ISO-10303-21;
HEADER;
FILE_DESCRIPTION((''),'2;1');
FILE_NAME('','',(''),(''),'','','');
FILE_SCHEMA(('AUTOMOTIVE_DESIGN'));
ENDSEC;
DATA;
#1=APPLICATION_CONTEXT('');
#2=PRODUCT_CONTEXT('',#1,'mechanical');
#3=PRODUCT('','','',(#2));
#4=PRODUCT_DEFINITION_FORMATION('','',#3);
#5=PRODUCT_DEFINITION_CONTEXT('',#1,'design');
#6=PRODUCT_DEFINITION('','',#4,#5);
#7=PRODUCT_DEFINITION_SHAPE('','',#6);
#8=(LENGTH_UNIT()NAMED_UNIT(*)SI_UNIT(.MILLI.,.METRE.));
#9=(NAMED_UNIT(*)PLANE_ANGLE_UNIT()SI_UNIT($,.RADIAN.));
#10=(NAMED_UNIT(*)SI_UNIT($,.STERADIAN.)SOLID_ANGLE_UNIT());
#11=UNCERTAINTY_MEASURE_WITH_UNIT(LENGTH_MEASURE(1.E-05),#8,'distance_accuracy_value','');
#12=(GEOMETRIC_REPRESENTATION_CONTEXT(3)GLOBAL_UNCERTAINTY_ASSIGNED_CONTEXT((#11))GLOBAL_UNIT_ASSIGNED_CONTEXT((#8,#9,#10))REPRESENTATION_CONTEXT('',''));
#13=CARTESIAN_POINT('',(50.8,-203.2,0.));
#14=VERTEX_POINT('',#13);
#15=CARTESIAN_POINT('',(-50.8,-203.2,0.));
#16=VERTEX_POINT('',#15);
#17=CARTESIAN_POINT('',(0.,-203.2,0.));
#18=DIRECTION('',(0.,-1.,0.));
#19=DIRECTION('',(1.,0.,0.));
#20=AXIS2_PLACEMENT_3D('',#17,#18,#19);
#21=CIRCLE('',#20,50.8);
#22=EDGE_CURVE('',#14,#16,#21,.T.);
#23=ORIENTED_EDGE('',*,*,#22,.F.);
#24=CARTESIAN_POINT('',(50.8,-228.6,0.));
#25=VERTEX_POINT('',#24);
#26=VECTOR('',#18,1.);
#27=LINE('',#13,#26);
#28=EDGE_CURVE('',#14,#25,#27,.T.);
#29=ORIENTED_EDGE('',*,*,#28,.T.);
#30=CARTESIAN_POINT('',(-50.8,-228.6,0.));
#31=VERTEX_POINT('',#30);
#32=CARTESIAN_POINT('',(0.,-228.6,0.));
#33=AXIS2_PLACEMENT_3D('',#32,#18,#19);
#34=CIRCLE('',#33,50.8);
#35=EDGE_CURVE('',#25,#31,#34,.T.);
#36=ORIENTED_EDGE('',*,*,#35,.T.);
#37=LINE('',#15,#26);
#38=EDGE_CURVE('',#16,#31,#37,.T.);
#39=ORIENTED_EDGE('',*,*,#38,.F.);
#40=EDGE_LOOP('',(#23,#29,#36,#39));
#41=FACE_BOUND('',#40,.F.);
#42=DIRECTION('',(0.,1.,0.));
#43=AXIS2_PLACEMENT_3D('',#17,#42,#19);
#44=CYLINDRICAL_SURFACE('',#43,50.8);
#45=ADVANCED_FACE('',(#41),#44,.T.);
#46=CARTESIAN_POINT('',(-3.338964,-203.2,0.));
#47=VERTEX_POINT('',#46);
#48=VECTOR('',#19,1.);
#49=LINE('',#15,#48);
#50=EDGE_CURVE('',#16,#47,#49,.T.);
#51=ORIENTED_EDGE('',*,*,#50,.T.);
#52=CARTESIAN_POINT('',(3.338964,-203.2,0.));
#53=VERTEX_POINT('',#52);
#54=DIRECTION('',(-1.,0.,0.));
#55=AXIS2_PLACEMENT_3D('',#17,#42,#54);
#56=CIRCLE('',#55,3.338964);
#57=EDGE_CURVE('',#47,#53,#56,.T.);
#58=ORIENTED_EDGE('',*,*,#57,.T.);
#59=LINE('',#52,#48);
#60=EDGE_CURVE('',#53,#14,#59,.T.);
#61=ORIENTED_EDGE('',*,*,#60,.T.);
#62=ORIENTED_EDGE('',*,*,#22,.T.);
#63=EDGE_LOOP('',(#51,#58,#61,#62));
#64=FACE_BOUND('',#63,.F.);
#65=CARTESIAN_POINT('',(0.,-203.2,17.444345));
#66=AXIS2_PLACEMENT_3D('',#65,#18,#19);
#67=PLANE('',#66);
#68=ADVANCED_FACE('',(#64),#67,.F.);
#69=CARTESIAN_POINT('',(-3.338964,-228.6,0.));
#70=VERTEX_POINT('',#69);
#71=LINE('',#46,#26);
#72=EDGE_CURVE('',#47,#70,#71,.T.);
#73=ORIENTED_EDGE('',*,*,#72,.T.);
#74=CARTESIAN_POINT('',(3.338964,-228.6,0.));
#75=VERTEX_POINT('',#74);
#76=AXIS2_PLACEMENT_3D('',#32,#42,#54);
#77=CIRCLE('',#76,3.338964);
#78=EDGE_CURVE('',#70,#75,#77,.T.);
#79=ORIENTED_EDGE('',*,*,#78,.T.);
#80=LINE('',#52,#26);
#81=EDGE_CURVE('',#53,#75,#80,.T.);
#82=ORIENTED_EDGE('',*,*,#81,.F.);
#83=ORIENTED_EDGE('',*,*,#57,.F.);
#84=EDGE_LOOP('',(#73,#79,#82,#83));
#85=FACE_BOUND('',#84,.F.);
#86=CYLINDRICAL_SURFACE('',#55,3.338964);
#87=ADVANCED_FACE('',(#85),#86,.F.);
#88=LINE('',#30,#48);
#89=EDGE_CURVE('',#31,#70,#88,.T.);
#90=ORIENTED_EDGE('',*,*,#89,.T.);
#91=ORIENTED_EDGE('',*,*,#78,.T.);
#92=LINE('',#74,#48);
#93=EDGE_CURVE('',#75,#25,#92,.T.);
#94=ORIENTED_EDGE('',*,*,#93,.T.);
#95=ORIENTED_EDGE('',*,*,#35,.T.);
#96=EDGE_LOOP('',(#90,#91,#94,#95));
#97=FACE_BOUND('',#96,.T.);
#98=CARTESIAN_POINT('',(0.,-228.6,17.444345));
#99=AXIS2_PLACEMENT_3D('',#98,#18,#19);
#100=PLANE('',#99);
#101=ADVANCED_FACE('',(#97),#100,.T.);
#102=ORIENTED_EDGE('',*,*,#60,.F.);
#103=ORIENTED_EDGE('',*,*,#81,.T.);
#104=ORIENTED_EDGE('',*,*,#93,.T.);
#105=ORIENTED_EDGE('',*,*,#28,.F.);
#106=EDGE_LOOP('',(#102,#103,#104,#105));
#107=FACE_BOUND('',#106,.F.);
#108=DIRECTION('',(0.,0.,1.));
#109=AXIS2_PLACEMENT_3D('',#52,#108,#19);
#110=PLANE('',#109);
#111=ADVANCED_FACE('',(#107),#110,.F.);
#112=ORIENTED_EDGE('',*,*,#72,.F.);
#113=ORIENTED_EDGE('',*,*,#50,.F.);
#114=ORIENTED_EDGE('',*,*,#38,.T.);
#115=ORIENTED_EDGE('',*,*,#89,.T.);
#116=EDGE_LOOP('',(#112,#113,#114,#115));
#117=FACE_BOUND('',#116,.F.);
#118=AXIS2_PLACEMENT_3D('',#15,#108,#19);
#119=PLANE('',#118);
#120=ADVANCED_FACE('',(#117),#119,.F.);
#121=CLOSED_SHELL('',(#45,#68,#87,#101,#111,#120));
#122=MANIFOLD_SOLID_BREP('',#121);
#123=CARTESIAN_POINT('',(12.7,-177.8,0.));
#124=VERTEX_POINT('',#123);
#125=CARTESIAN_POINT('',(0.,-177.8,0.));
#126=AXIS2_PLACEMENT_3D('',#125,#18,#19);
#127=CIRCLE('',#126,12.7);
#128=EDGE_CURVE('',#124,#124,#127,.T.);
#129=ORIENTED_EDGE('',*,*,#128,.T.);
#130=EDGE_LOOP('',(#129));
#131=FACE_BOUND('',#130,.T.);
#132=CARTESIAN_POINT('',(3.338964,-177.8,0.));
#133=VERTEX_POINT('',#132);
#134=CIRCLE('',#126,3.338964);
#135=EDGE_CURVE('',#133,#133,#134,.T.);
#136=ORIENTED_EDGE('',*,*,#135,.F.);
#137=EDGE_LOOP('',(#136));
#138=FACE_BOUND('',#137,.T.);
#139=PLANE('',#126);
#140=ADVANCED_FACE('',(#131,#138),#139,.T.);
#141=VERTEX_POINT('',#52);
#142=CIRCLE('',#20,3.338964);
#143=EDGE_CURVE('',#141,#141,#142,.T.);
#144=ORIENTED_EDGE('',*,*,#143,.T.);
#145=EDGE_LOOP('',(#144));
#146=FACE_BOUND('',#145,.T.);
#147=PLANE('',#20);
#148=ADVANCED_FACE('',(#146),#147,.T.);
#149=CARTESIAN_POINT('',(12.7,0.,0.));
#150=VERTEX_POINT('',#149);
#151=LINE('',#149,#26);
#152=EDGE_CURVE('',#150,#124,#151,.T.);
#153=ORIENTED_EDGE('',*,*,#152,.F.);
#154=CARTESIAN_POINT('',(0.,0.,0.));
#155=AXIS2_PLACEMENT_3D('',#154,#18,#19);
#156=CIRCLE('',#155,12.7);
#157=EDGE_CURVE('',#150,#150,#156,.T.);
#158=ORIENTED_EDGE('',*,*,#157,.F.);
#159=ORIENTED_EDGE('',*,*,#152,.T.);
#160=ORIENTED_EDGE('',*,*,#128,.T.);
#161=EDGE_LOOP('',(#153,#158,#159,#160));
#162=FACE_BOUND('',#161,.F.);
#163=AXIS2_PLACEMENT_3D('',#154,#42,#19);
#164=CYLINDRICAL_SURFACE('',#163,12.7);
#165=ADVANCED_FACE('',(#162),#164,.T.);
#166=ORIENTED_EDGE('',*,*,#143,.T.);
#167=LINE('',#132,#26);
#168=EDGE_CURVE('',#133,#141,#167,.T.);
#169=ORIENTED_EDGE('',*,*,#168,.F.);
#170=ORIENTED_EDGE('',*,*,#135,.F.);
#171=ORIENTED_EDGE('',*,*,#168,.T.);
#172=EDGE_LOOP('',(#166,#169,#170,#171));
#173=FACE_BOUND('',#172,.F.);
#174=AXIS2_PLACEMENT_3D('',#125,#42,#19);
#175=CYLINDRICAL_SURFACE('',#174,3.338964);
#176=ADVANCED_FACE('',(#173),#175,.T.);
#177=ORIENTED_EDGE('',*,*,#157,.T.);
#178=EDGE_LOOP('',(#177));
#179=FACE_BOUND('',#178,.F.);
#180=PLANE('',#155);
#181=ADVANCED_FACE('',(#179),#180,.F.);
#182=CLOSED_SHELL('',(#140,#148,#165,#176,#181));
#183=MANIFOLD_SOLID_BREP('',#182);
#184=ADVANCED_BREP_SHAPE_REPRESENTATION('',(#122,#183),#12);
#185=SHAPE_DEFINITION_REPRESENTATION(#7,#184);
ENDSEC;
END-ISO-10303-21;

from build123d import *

# Parameters (mm, degrees)
F0_R     = 12.7
F1_DEPTH = 177.8
F2_R     = 3.338964
F3_DEPTH = 25.4
F5_DEPTH = 25.4


with BuildPart() as f1:
    # F0 (on Front) → F1 (new body)
    with BuildSketch(Plane.XZ):
        Circle(F0_R)
    extrude(amount=F1_DEPTH)

    # F2 (on face) → F3 (join)
    with BuildSketch(Plane.XZ.offset(177.8)):
        Circle(F2_R)
    extrude(amount=F3_DEPTH)


with BuildPart() as f5:
    # F4 (on face) → F5 (new body)
    with BuildSketch(Plane.XZ.offset(203.2)):
        with BuildLine():
            Line((3.338964, 0), (50.8, 0))
            ThreePointArc((50.8, 0), (0, 50.8), (-50.8, 0))
            Line((-50.8, 0), (-3.338964, 0))
            ThreePointArc((-3.338964, 0), (0, 3.338964), (3.338964, 0))
        make_face()
    extrude(amount=F5_DEPTH)


solid = Compound([f1.part, f5.part])
